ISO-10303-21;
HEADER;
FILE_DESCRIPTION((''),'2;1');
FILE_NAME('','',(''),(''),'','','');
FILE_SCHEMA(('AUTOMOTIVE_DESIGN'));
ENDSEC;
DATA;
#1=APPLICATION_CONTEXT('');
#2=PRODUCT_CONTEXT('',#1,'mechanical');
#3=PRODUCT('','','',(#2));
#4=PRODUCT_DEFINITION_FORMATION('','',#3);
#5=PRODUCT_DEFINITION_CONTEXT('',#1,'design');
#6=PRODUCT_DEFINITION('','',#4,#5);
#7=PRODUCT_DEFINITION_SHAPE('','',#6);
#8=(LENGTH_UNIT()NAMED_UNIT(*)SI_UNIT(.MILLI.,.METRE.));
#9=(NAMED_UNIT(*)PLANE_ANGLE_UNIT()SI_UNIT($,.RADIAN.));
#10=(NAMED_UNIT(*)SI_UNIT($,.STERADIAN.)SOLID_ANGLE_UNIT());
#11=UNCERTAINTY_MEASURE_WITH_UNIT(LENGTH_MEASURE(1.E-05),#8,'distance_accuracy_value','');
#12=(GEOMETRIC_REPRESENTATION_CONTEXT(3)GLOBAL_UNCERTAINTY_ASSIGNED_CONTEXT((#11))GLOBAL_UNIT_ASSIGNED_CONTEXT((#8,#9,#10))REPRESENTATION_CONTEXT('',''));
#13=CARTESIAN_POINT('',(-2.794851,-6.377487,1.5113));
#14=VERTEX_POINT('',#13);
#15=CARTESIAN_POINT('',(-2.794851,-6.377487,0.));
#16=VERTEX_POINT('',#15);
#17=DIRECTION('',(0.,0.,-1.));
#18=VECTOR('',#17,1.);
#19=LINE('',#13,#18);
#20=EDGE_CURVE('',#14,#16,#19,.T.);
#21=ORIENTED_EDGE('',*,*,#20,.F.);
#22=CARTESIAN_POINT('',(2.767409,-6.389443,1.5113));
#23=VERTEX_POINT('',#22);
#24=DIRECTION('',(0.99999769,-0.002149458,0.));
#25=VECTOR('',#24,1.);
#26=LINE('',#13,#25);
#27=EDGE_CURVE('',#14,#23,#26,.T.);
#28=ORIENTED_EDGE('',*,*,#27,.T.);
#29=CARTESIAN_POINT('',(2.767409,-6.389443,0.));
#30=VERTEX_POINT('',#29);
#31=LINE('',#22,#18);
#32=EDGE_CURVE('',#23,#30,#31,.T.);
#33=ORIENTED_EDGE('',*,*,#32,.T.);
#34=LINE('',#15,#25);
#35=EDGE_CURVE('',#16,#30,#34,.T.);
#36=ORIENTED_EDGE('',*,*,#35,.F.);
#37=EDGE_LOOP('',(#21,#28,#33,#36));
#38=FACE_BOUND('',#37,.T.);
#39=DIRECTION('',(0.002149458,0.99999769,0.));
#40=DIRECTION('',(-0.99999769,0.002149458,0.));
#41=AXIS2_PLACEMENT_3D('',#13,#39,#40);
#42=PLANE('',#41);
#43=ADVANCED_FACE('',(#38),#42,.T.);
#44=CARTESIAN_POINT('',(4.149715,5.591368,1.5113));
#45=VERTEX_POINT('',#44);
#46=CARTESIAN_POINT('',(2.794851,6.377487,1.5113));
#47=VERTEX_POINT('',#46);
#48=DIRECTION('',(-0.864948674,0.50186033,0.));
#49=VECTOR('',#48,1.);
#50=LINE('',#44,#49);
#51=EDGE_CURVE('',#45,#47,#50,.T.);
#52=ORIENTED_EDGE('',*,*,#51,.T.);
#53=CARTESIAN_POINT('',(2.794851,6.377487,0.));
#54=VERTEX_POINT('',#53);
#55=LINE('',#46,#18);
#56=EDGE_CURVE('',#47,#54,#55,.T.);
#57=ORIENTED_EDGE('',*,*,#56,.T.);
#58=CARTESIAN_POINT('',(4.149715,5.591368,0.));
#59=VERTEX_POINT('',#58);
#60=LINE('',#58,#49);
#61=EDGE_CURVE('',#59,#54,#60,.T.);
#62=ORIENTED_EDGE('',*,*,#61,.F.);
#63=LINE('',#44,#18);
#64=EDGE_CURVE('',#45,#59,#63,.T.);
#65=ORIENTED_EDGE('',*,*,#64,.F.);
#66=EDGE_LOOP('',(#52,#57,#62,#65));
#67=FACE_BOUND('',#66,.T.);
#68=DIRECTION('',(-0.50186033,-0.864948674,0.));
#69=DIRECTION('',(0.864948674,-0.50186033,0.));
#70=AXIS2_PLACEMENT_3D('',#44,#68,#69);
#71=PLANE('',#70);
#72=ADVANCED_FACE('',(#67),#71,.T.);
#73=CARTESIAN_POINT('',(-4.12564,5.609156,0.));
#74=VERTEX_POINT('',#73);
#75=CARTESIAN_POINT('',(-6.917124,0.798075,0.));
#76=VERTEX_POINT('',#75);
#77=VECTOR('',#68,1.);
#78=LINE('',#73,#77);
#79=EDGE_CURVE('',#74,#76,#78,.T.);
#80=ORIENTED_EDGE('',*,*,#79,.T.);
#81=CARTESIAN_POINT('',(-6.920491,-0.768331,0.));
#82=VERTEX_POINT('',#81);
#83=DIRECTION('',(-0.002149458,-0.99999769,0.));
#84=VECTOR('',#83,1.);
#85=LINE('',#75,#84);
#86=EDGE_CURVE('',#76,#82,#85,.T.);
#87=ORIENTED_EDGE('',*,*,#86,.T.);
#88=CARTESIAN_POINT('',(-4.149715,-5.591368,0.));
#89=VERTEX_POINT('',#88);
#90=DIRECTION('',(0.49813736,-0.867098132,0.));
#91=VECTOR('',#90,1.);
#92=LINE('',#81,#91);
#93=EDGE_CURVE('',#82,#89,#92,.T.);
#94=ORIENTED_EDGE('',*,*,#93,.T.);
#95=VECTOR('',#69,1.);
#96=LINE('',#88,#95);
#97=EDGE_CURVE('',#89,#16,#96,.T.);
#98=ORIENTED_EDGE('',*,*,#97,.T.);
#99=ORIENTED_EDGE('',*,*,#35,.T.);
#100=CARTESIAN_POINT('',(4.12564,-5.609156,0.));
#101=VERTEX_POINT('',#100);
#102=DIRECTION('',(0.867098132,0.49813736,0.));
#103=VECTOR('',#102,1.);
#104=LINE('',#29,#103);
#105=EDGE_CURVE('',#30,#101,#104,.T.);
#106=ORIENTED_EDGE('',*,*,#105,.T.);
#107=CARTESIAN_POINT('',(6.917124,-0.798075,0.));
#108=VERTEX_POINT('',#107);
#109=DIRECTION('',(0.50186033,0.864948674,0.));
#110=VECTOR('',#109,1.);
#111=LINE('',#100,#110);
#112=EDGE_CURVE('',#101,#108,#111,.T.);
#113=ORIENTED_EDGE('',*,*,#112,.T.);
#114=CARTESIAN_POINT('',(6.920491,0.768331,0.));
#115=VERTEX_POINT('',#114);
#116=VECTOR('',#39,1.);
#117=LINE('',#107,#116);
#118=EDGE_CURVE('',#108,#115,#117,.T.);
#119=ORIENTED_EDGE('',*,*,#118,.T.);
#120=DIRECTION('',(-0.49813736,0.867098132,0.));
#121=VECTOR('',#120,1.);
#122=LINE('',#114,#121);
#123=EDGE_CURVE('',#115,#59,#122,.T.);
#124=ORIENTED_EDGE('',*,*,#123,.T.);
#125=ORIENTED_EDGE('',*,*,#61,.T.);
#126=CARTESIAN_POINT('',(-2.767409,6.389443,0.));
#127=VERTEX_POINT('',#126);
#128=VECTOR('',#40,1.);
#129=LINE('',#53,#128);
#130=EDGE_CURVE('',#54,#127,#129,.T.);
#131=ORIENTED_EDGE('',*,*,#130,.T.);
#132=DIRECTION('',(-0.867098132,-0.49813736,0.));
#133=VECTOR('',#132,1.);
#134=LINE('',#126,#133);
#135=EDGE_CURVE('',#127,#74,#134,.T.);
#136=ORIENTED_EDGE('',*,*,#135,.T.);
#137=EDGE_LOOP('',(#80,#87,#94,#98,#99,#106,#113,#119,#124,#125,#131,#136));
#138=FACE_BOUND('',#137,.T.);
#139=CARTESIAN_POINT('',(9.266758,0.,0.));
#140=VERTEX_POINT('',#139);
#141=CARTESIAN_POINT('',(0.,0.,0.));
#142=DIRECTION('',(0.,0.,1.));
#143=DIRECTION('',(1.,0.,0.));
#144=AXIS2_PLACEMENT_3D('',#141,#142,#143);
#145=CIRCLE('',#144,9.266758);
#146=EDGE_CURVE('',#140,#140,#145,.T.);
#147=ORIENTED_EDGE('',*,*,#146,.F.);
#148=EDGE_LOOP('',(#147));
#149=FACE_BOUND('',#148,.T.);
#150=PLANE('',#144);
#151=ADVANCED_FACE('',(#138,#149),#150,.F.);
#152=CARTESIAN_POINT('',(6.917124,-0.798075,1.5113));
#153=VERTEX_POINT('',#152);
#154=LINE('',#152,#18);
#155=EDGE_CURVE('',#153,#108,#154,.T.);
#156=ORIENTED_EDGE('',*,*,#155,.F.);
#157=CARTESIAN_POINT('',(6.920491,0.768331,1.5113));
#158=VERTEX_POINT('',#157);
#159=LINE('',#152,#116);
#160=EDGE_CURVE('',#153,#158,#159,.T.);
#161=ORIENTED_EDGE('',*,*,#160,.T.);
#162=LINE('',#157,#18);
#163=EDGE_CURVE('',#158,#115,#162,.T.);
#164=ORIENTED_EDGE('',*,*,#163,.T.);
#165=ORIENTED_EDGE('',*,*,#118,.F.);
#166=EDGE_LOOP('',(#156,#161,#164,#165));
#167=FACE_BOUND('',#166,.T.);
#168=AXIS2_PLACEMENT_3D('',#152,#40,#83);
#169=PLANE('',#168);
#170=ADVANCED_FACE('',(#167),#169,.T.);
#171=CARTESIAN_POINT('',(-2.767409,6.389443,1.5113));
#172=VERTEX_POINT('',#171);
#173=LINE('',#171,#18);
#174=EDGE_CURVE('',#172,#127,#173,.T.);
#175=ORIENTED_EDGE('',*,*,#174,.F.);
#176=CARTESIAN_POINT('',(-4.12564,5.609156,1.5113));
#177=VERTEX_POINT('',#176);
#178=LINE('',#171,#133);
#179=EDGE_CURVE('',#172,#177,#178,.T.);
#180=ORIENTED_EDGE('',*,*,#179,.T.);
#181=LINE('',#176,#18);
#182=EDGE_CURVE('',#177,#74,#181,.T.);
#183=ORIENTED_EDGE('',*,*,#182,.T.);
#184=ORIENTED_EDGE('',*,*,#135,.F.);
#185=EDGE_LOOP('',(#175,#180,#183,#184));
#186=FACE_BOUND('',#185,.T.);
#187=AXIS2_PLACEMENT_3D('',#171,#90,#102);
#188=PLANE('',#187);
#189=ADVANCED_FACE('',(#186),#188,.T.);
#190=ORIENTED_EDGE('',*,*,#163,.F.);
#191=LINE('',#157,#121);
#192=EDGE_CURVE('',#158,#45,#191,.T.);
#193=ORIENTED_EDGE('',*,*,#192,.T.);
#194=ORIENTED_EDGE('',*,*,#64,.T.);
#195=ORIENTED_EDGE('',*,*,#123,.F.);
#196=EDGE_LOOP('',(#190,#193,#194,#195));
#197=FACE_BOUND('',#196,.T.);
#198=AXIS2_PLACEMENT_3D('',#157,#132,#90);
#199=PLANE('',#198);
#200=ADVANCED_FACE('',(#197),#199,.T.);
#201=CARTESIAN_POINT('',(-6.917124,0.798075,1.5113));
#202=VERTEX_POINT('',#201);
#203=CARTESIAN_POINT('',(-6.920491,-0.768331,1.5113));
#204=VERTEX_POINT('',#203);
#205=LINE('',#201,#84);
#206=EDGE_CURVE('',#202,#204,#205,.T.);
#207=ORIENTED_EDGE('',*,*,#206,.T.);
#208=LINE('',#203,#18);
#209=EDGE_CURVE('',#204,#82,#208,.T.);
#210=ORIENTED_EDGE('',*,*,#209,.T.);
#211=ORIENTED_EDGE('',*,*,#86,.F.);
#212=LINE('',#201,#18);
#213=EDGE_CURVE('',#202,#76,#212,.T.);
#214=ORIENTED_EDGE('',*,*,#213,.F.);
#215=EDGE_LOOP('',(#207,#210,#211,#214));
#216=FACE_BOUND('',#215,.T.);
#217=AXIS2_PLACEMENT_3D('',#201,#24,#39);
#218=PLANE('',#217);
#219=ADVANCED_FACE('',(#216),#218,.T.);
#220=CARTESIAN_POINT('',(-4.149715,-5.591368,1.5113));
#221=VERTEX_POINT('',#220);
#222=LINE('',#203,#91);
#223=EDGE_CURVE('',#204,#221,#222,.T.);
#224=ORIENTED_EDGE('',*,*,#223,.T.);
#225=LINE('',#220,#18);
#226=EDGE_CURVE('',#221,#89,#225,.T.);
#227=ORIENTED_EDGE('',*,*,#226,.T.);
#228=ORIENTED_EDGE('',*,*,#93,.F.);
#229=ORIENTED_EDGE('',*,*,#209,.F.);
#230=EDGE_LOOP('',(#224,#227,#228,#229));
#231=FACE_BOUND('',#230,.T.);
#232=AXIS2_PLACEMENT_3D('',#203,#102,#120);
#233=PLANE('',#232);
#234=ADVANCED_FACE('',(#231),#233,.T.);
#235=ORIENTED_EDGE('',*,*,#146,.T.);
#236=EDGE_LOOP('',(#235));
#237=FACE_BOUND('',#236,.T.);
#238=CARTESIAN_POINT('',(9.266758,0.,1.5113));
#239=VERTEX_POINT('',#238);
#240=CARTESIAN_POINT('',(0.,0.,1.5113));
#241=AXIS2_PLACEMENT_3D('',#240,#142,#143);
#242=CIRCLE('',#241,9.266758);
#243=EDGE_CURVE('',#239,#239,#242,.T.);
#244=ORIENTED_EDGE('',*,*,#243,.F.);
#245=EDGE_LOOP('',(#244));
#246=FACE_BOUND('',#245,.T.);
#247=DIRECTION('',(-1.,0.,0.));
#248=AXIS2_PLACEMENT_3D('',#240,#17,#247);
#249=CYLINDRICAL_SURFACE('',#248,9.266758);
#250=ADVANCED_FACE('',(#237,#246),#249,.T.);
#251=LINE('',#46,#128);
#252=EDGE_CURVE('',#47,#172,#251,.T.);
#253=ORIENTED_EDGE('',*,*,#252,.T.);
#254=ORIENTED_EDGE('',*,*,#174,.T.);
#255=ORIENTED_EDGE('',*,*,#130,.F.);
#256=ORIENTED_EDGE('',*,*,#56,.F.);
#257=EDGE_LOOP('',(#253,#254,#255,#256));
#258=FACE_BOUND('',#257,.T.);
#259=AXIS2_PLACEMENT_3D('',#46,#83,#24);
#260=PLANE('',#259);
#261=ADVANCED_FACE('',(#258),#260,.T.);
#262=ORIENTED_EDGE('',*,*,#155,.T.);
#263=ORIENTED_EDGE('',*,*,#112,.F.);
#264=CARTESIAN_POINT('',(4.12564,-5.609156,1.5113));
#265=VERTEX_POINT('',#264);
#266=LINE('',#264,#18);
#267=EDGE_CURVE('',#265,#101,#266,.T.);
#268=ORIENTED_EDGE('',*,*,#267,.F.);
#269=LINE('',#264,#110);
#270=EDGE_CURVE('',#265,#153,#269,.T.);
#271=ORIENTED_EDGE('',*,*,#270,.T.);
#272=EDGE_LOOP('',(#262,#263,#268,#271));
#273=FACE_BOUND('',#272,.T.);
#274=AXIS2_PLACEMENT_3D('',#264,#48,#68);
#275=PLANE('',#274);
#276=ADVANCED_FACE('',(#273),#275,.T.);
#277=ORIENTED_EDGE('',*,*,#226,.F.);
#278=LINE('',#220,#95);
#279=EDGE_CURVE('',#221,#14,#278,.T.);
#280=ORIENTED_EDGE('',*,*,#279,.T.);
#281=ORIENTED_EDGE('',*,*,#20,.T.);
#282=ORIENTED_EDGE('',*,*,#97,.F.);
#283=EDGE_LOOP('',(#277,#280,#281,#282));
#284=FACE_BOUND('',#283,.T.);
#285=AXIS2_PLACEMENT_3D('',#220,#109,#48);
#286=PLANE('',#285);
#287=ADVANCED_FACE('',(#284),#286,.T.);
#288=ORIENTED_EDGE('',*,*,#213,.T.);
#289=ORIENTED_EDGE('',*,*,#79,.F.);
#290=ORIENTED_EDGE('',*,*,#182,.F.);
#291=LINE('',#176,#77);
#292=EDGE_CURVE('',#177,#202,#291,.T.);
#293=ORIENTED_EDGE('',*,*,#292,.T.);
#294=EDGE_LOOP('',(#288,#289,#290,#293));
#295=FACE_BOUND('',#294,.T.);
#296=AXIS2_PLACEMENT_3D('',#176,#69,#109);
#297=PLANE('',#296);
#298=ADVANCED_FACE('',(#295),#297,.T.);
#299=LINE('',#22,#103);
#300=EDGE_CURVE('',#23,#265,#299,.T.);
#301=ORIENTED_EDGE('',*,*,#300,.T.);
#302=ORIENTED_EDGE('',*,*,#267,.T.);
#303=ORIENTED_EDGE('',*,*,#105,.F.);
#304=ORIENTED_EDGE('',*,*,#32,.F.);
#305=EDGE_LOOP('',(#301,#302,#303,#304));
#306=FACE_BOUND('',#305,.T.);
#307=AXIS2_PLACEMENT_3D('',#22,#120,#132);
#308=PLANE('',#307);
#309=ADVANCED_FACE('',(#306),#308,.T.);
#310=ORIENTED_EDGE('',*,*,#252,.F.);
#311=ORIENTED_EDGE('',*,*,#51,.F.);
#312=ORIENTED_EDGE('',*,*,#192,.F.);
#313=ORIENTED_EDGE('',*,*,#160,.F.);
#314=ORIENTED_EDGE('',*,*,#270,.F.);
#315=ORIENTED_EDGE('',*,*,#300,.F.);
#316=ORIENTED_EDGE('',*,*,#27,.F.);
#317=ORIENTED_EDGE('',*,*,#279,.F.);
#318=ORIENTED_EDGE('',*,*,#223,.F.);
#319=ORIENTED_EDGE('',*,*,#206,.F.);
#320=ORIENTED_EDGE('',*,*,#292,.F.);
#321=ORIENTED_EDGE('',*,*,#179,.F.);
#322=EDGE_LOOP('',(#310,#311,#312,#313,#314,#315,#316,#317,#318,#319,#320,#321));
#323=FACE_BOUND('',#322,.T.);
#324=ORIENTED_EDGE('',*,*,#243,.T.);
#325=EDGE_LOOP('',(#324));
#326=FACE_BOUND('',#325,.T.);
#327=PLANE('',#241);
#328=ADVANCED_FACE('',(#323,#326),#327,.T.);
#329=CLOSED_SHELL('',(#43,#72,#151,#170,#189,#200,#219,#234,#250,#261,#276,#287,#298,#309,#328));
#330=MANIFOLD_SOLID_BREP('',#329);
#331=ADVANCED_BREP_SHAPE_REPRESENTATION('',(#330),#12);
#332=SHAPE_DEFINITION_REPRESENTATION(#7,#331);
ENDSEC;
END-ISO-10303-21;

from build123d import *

# Parameters (mm, degrees)
SKETCH1_R           = 9.266757501
BOSS_EXTRUDE1_DEPTH = 1.5113


with BuildPart() as part:
    # Sketch1 → Boss-Extrude1 (new body)
    with BuildSketch(Plane.XY):
        Circle(SKETCH1_R)
        Polygon((-2.767409235, 6.38944281), (-4.125640066, 5.60915567), (-6.917124407, 0.798074705), (-6.920491338, -0.768331269), (-4.149715172, -5.591368105), (-2.794851271, -6.377486939), (2.767409235, -6.38944281), (4.125640066, -5.60915567), (6.917124407, -0.798074705), (6.920491338, 0.768331269), (4.149715172, 5.591368105), (2.794851271, 6.377486939), align=None, mode=Mode.SUBTRACT)
    extrude(amount=BOSS_EXTRUDE1_DEPTH)


solid = part.part
